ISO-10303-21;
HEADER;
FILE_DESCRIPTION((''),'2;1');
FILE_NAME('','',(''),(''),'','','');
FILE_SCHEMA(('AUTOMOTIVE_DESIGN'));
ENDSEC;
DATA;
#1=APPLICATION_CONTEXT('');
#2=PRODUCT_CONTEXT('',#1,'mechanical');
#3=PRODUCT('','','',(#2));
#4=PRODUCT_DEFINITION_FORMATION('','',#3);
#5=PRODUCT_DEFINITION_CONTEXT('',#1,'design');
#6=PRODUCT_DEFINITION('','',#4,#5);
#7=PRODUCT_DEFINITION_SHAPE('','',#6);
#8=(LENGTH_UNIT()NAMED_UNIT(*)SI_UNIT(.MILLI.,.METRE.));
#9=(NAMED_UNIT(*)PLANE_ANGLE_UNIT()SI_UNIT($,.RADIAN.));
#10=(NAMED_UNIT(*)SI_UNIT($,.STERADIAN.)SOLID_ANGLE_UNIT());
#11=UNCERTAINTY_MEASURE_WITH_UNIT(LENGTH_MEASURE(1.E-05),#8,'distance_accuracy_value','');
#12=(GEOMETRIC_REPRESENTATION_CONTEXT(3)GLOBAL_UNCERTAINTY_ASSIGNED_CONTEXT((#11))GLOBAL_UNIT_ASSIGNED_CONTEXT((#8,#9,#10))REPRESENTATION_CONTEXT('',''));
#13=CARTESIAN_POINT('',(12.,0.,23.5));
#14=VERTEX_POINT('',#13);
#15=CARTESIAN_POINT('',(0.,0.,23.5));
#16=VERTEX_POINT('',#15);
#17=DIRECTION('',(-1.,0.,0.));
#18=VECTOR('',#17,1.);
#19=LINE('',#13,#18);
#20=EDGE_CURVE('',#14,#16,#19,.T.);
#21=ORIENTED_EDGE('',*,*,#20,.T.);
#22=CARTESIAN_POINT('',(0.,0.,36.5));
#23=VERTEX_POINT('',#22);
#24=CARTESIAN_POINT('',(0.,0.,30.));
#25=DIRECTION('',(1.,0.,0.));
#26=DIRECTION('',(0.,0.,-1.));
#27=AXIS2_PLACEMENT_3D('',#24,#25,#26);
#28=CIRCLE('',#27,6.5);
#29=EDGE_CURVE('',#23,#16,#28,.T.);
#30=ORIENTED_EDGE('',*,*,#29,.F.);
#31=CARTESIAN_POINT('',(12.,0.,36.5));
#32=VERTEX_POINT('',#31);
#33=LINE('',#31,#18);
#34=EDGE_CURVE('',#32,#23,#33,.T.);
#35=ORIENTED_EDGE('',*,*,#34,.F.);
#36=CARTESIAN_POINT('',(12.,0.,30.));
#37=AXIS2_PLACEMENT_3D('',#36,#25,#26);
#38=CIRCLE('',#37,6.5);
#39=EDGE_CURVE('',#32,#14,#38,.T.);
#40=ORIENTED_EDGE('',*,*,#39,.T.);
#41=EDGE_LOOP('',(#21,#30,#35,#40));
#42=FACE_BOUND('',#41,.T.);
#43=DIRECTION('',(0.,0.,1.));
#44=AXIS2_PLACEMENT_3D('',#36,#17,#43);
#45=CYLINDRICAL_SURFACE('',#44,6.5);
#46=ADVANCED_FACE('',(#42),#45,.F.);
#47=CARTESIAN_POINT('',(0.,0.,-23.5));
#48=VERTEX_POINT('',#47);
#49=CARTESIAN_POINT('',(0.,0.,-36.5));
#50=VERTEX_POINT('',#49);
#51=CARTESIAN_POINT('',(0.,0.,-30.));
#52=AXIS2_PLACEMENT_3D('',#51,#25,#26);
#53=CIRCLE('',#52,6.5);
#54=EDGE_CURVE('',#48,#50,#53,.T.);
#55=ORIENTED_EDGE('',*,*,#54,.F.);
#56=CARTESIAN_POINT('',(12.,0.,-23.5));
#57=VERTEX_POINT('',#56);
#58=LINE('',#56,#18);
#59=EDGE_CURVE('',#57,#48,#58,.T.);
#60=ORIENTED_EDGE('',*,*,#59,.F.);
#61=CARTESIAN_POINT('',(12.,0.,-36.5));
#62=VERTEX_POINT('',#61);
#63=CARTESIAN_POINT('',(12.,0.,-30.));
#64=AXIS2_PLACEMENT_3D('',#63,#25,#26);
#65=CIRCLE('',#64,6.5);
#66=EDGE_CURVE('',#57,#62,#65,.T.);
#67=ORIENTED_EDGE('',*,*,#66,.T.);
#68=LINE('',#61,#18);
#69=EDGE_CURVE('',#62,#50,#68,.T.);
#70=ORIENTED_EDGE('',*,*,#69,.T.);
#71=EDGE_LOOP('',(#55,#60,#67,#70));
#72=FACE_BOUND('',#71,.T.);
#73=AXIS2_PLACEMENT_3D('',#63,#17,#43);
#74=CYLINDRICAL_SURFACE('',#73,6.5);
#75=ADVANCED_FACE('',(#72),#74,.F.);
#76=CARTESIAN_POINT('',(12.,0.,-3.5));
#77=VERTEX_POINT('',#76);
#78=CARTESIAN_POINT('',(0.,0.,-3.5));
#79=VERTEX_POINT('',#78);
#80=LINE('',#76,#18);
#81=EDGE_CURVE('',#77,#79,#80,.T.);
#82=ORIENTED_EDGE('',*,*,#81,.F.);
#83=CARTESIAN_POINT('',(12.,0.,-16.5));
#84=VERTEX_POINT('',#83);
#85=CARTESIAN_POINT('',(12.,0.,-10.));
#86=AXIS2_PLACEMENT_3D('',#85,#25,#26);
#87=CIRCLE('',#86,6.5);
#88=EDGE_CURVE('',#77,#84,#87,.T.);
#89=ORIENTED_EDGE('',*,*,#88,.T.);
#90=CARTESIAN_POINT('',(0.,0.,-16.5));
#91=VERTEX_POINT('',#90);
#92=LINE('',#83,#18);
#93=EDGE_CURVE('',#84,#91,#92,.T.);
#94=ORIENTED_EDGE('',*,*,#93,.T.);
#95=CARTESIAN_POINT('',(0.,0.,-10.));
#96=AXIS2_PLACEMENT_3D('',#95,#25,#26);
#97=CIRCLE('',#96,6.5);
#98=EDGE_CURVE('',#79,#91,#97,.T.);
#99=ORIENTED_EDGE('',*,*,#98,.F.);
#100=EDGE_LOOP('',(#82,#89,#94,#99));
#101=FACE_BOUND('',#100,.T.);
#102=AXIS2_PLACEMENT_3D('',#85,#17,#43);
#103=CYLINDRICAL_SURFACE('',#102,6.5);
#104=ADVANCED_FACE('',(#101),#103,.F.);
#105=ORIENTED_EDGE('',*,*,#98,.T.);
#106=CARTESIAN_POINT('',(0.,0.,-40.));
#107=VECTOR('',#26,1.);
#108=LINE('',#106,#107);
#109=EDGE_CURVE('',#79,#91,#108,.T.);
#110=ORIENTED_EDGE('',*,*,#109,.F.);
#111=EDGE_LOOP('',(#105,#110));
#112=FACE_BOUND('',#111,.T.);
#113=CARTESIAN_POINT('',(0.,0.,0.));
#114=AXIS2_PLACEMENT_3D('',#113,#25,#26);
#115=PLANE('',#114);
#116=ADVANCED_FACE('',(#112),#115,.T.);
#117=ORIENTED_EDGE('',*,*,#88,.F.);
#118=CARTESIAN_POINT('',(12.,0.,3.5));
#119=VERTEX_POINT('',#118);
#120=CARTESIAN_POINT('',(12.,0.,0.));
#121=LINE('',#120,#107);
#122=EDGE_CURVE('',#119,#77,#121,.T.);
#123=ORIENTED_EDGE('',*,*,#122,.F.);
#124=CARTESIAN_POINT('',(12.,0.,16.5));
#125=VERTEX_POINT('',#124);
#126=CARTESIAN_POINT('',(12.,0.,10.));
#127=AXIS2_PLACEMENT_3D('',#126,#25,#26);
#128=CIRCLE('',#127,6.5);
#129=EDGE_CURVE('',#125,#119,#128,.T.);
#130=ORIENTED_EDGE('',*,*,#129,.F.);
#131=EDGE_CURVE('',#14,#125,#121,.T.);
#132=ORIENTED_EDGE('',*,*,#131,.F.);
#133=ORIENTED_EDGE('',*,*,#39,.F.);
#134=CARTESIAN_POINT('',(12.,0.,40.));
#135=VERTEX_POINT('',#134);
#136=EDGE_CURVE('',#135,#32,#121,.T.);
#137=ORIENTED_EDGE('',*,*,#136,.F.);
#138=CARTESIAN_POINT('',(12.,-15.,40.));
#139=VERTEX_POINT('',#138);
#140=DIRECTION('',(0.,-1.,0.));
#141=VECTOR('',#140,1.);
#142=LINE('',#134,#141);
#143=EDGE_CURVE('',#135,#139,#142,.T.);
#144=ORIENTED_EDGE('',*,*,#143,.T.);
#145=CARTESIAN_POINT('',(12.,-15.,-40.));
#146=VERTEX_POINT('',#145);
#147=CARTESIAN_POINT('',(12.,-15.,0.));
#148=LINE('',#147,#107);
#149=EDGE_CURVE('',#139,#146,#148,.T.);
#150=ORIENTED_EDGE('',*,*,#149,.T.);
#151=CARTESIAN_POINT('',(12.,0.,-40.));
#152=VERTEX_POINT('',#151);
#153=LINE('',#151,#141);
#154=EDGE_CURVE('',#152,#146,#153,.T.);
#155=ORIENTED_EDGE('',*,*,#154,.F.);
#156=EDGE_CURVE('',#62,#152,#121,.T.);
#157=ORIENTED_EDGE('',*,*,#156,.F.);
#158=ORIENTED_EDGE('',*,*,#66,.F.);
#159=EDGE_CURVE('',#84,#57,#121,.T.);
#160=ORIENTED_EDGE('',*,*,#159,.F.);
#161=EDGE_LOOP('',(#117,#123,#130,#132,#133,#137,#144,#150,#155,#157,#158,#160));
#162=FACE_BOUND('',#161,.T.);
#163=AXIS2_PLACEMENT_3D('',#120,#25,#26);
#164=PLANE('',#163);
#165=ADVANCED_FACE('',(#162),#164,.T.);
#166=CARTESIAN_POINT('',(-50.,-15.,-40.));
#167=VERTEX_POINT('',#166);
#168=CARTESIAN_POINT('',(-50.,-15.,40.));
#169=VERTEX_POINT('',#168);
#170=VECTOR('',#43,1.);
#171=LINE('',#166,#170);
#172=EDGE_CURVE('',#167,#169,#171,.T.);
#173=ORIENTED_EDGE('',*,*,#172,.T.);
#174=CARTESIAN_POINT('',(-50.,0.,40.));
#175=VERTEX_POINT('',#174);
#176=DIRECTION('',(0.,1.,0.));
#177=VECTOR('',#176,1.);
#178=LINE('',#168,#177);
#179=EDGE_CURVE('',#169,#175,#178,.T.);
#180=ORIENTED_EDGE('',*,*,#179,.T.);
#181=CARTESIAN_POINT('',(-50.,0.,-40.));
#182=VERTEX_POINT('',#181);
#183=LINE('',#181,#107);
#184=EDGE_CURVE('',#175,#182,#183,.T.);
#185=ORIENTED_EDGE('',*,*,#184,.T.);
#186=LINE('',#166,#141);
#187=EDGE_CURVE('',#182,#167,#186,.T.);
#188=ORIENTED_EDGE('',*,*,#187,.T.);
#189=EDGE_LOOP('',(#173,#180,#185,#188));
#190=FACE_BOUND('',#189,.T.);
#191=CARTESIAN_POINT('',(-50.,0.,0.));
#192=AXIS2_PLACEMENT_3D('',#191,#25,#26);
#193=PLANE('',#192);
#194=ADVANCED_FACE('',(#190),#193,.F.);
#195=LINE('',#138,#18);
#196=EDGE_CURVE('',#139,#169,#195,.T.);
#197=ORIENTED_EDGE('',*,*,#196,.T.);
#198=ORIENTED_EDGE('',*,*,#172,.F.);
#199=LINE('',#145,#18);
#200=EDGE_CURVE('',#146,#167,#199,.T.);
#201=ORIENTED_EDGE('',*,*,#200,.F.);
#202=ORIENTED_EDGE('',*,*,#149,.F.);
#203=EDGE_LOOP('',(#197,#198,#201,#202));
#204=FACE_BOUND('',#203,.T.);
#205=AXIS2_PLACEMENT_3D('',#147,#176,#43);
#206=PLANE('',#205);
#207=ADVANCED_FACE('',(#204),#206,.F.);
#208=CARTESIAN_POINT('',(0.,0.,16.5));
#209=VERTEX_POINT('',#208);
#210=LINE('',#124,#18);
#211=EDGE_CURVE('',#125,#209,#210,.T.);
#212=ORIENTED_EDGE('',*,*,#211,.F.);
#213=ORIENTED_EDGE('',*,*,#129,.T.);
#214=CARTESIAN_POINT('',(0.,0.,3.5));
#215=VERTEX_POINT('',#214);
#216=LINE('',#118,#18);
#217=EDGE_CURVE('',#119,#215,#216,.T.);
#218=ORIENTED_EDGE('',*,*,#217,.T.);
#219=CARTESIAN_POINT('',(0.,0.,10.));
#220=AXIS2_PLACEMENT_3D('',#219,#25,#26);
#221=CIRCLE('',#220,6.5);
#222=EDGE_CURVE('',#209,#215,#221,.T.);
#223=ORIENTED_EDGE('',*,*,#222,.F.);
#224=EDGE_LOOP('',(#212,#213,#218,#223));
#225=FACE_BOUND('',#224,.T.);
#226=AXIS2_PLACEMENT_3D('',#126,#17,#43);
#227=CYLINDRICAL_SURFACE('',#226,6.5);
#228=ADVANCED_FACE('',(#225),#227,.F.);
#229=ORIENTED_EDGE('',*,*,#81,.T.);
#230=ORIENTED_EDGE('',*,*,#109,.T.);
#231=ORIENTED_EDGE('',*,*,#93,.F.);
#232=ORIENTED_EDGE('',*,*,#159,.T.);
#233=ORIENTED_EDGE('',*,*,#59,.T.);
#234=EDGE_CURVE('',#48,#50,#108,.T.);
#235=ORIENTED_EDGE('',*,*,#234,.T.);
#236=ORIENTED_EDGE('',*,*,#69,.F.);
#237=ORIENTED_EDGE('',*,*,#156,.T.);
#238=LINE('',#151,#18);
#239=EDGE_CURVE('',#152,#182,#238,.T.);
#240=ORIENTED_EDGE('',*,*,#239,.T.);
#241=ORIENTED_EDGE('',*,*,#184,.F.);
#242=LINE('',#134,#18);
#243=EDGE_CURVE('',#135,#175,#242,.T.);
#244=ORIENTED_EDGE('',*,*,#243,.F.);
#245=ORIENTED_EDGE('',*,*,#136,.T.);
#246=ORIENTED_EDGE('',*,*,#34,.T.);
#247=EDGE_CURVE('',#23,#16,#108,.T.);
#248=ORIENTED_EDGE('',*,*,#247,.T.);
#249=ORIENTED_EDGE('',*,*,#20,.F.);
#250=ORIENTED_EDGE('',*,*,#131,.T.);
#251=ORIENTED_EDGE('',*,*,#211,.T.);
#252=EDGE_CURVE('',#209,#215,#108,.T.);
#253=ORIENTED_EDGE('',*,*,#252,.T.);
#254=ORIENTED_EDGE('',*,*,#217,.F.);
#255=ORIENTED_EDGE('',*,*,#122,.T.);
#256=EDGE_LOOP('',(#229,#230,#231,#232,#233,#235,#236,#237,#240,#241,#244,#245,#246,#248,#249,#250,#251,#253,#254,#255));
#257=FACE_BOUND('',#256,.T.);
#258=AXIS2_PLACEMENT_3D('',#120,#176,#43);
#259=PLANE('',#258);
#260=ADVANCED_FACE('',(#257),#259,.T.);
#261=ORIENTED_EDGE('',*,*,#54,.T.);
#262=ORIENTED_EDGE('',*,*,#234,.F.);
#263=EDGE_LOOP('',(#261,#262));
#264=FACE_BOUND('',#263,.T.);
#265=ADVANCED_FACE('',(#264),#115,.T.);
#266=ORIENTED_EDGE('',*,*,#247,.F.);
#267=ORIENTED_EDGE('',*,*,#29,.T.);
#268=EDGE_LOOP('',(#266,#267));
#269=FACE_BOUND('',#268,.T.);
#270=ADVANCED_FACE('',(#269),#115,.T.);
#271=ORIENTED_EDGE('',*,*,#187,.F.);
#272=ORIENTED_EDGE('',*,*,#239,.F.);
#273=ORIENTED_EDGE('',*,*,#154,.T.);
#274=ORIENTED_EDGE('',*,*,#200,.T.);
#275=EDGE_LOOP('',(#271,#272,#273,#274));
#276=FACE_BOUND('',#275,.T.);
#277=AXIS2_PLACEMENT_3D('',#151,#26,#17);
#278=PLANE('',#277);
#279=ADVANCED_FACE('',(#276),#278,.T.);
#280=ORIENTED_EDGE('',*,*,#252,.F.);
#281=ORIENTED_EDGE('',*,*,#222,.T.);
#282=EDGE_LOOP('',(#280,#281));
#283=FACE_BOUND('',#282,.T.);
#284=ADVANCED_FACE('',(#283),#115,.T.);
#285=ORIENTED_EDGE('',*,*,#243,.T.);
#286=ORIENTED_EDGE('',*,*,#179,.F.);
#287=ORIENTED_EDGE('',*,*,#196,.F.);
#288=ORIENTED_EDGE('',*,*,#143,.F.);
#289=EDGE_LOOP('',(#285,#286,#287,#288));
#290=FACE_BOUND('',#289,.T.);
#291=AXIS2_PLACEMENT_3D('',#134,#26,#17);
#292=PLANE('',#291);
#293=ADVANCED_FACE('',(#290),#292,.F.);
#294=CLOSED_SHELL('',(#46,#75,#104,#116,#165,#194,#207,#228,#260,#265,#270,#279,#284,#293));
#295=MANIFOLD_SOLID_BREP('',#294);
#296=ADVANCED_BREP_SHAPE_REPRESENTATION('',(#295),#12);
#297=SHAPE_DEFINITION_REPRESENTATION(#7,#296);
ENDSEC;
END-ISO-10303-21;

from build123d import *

# Parameters (mm, degrees)
BOSS_EXTRUDE1_DEPTH = 12
SKETCH2_W           = 80
SKETCH2_H           = 15
BOSS_EXTRUDE2_DEPTH = 50


with BuildPart() as part:
    # Sketch1 → Boss-Extrude1 (new body)
    with BuildSketch(Plane(origin=(0, 0, 0), x_dir=(0, 0, -1), z_dir=(1, 0, 0))):
        with BuildLine():
            Line((40, 0), (36.5, 0))
            ThreePointArc((36.5, 0), (30, -6.5), (23.5, 0))
            Line((23.5, 0), (16.5, 0))
            ThreePointArc((16.5, 0), (10, -6.5), (3.5, 0))
            Line((3.5, 0), (-3.5, 0))
            ThreePointArc((-3.5, 0), (-10, -6.5), (-16.5, 0))
            Line((-16.5, 0), (-23.5, 0))
            ThreePointArc((-23.5, 0), (-30, -6.5), (-36.5, 0))
            Line((-36.5, 0), (-40, 0))
            Line((-40, 0), (-40, -15))
            Line((-40, -15), (40, -15))
            Line((40, -15), (40, 0))
        make_face()
    extrude(amount=BOSS_EXTRUDE1_DEPTH)

    # Sketch2 → Boss-Extrude2 (add)
    with BuildSketch(Plane.ZY):
        with Locations((0, -7.5)):
            Rectangle(SKETCH2_W, SKETCH2_H)
    extrude(amount=BOSS_EXTRUDE2_DEPTH)


solid = part.part
